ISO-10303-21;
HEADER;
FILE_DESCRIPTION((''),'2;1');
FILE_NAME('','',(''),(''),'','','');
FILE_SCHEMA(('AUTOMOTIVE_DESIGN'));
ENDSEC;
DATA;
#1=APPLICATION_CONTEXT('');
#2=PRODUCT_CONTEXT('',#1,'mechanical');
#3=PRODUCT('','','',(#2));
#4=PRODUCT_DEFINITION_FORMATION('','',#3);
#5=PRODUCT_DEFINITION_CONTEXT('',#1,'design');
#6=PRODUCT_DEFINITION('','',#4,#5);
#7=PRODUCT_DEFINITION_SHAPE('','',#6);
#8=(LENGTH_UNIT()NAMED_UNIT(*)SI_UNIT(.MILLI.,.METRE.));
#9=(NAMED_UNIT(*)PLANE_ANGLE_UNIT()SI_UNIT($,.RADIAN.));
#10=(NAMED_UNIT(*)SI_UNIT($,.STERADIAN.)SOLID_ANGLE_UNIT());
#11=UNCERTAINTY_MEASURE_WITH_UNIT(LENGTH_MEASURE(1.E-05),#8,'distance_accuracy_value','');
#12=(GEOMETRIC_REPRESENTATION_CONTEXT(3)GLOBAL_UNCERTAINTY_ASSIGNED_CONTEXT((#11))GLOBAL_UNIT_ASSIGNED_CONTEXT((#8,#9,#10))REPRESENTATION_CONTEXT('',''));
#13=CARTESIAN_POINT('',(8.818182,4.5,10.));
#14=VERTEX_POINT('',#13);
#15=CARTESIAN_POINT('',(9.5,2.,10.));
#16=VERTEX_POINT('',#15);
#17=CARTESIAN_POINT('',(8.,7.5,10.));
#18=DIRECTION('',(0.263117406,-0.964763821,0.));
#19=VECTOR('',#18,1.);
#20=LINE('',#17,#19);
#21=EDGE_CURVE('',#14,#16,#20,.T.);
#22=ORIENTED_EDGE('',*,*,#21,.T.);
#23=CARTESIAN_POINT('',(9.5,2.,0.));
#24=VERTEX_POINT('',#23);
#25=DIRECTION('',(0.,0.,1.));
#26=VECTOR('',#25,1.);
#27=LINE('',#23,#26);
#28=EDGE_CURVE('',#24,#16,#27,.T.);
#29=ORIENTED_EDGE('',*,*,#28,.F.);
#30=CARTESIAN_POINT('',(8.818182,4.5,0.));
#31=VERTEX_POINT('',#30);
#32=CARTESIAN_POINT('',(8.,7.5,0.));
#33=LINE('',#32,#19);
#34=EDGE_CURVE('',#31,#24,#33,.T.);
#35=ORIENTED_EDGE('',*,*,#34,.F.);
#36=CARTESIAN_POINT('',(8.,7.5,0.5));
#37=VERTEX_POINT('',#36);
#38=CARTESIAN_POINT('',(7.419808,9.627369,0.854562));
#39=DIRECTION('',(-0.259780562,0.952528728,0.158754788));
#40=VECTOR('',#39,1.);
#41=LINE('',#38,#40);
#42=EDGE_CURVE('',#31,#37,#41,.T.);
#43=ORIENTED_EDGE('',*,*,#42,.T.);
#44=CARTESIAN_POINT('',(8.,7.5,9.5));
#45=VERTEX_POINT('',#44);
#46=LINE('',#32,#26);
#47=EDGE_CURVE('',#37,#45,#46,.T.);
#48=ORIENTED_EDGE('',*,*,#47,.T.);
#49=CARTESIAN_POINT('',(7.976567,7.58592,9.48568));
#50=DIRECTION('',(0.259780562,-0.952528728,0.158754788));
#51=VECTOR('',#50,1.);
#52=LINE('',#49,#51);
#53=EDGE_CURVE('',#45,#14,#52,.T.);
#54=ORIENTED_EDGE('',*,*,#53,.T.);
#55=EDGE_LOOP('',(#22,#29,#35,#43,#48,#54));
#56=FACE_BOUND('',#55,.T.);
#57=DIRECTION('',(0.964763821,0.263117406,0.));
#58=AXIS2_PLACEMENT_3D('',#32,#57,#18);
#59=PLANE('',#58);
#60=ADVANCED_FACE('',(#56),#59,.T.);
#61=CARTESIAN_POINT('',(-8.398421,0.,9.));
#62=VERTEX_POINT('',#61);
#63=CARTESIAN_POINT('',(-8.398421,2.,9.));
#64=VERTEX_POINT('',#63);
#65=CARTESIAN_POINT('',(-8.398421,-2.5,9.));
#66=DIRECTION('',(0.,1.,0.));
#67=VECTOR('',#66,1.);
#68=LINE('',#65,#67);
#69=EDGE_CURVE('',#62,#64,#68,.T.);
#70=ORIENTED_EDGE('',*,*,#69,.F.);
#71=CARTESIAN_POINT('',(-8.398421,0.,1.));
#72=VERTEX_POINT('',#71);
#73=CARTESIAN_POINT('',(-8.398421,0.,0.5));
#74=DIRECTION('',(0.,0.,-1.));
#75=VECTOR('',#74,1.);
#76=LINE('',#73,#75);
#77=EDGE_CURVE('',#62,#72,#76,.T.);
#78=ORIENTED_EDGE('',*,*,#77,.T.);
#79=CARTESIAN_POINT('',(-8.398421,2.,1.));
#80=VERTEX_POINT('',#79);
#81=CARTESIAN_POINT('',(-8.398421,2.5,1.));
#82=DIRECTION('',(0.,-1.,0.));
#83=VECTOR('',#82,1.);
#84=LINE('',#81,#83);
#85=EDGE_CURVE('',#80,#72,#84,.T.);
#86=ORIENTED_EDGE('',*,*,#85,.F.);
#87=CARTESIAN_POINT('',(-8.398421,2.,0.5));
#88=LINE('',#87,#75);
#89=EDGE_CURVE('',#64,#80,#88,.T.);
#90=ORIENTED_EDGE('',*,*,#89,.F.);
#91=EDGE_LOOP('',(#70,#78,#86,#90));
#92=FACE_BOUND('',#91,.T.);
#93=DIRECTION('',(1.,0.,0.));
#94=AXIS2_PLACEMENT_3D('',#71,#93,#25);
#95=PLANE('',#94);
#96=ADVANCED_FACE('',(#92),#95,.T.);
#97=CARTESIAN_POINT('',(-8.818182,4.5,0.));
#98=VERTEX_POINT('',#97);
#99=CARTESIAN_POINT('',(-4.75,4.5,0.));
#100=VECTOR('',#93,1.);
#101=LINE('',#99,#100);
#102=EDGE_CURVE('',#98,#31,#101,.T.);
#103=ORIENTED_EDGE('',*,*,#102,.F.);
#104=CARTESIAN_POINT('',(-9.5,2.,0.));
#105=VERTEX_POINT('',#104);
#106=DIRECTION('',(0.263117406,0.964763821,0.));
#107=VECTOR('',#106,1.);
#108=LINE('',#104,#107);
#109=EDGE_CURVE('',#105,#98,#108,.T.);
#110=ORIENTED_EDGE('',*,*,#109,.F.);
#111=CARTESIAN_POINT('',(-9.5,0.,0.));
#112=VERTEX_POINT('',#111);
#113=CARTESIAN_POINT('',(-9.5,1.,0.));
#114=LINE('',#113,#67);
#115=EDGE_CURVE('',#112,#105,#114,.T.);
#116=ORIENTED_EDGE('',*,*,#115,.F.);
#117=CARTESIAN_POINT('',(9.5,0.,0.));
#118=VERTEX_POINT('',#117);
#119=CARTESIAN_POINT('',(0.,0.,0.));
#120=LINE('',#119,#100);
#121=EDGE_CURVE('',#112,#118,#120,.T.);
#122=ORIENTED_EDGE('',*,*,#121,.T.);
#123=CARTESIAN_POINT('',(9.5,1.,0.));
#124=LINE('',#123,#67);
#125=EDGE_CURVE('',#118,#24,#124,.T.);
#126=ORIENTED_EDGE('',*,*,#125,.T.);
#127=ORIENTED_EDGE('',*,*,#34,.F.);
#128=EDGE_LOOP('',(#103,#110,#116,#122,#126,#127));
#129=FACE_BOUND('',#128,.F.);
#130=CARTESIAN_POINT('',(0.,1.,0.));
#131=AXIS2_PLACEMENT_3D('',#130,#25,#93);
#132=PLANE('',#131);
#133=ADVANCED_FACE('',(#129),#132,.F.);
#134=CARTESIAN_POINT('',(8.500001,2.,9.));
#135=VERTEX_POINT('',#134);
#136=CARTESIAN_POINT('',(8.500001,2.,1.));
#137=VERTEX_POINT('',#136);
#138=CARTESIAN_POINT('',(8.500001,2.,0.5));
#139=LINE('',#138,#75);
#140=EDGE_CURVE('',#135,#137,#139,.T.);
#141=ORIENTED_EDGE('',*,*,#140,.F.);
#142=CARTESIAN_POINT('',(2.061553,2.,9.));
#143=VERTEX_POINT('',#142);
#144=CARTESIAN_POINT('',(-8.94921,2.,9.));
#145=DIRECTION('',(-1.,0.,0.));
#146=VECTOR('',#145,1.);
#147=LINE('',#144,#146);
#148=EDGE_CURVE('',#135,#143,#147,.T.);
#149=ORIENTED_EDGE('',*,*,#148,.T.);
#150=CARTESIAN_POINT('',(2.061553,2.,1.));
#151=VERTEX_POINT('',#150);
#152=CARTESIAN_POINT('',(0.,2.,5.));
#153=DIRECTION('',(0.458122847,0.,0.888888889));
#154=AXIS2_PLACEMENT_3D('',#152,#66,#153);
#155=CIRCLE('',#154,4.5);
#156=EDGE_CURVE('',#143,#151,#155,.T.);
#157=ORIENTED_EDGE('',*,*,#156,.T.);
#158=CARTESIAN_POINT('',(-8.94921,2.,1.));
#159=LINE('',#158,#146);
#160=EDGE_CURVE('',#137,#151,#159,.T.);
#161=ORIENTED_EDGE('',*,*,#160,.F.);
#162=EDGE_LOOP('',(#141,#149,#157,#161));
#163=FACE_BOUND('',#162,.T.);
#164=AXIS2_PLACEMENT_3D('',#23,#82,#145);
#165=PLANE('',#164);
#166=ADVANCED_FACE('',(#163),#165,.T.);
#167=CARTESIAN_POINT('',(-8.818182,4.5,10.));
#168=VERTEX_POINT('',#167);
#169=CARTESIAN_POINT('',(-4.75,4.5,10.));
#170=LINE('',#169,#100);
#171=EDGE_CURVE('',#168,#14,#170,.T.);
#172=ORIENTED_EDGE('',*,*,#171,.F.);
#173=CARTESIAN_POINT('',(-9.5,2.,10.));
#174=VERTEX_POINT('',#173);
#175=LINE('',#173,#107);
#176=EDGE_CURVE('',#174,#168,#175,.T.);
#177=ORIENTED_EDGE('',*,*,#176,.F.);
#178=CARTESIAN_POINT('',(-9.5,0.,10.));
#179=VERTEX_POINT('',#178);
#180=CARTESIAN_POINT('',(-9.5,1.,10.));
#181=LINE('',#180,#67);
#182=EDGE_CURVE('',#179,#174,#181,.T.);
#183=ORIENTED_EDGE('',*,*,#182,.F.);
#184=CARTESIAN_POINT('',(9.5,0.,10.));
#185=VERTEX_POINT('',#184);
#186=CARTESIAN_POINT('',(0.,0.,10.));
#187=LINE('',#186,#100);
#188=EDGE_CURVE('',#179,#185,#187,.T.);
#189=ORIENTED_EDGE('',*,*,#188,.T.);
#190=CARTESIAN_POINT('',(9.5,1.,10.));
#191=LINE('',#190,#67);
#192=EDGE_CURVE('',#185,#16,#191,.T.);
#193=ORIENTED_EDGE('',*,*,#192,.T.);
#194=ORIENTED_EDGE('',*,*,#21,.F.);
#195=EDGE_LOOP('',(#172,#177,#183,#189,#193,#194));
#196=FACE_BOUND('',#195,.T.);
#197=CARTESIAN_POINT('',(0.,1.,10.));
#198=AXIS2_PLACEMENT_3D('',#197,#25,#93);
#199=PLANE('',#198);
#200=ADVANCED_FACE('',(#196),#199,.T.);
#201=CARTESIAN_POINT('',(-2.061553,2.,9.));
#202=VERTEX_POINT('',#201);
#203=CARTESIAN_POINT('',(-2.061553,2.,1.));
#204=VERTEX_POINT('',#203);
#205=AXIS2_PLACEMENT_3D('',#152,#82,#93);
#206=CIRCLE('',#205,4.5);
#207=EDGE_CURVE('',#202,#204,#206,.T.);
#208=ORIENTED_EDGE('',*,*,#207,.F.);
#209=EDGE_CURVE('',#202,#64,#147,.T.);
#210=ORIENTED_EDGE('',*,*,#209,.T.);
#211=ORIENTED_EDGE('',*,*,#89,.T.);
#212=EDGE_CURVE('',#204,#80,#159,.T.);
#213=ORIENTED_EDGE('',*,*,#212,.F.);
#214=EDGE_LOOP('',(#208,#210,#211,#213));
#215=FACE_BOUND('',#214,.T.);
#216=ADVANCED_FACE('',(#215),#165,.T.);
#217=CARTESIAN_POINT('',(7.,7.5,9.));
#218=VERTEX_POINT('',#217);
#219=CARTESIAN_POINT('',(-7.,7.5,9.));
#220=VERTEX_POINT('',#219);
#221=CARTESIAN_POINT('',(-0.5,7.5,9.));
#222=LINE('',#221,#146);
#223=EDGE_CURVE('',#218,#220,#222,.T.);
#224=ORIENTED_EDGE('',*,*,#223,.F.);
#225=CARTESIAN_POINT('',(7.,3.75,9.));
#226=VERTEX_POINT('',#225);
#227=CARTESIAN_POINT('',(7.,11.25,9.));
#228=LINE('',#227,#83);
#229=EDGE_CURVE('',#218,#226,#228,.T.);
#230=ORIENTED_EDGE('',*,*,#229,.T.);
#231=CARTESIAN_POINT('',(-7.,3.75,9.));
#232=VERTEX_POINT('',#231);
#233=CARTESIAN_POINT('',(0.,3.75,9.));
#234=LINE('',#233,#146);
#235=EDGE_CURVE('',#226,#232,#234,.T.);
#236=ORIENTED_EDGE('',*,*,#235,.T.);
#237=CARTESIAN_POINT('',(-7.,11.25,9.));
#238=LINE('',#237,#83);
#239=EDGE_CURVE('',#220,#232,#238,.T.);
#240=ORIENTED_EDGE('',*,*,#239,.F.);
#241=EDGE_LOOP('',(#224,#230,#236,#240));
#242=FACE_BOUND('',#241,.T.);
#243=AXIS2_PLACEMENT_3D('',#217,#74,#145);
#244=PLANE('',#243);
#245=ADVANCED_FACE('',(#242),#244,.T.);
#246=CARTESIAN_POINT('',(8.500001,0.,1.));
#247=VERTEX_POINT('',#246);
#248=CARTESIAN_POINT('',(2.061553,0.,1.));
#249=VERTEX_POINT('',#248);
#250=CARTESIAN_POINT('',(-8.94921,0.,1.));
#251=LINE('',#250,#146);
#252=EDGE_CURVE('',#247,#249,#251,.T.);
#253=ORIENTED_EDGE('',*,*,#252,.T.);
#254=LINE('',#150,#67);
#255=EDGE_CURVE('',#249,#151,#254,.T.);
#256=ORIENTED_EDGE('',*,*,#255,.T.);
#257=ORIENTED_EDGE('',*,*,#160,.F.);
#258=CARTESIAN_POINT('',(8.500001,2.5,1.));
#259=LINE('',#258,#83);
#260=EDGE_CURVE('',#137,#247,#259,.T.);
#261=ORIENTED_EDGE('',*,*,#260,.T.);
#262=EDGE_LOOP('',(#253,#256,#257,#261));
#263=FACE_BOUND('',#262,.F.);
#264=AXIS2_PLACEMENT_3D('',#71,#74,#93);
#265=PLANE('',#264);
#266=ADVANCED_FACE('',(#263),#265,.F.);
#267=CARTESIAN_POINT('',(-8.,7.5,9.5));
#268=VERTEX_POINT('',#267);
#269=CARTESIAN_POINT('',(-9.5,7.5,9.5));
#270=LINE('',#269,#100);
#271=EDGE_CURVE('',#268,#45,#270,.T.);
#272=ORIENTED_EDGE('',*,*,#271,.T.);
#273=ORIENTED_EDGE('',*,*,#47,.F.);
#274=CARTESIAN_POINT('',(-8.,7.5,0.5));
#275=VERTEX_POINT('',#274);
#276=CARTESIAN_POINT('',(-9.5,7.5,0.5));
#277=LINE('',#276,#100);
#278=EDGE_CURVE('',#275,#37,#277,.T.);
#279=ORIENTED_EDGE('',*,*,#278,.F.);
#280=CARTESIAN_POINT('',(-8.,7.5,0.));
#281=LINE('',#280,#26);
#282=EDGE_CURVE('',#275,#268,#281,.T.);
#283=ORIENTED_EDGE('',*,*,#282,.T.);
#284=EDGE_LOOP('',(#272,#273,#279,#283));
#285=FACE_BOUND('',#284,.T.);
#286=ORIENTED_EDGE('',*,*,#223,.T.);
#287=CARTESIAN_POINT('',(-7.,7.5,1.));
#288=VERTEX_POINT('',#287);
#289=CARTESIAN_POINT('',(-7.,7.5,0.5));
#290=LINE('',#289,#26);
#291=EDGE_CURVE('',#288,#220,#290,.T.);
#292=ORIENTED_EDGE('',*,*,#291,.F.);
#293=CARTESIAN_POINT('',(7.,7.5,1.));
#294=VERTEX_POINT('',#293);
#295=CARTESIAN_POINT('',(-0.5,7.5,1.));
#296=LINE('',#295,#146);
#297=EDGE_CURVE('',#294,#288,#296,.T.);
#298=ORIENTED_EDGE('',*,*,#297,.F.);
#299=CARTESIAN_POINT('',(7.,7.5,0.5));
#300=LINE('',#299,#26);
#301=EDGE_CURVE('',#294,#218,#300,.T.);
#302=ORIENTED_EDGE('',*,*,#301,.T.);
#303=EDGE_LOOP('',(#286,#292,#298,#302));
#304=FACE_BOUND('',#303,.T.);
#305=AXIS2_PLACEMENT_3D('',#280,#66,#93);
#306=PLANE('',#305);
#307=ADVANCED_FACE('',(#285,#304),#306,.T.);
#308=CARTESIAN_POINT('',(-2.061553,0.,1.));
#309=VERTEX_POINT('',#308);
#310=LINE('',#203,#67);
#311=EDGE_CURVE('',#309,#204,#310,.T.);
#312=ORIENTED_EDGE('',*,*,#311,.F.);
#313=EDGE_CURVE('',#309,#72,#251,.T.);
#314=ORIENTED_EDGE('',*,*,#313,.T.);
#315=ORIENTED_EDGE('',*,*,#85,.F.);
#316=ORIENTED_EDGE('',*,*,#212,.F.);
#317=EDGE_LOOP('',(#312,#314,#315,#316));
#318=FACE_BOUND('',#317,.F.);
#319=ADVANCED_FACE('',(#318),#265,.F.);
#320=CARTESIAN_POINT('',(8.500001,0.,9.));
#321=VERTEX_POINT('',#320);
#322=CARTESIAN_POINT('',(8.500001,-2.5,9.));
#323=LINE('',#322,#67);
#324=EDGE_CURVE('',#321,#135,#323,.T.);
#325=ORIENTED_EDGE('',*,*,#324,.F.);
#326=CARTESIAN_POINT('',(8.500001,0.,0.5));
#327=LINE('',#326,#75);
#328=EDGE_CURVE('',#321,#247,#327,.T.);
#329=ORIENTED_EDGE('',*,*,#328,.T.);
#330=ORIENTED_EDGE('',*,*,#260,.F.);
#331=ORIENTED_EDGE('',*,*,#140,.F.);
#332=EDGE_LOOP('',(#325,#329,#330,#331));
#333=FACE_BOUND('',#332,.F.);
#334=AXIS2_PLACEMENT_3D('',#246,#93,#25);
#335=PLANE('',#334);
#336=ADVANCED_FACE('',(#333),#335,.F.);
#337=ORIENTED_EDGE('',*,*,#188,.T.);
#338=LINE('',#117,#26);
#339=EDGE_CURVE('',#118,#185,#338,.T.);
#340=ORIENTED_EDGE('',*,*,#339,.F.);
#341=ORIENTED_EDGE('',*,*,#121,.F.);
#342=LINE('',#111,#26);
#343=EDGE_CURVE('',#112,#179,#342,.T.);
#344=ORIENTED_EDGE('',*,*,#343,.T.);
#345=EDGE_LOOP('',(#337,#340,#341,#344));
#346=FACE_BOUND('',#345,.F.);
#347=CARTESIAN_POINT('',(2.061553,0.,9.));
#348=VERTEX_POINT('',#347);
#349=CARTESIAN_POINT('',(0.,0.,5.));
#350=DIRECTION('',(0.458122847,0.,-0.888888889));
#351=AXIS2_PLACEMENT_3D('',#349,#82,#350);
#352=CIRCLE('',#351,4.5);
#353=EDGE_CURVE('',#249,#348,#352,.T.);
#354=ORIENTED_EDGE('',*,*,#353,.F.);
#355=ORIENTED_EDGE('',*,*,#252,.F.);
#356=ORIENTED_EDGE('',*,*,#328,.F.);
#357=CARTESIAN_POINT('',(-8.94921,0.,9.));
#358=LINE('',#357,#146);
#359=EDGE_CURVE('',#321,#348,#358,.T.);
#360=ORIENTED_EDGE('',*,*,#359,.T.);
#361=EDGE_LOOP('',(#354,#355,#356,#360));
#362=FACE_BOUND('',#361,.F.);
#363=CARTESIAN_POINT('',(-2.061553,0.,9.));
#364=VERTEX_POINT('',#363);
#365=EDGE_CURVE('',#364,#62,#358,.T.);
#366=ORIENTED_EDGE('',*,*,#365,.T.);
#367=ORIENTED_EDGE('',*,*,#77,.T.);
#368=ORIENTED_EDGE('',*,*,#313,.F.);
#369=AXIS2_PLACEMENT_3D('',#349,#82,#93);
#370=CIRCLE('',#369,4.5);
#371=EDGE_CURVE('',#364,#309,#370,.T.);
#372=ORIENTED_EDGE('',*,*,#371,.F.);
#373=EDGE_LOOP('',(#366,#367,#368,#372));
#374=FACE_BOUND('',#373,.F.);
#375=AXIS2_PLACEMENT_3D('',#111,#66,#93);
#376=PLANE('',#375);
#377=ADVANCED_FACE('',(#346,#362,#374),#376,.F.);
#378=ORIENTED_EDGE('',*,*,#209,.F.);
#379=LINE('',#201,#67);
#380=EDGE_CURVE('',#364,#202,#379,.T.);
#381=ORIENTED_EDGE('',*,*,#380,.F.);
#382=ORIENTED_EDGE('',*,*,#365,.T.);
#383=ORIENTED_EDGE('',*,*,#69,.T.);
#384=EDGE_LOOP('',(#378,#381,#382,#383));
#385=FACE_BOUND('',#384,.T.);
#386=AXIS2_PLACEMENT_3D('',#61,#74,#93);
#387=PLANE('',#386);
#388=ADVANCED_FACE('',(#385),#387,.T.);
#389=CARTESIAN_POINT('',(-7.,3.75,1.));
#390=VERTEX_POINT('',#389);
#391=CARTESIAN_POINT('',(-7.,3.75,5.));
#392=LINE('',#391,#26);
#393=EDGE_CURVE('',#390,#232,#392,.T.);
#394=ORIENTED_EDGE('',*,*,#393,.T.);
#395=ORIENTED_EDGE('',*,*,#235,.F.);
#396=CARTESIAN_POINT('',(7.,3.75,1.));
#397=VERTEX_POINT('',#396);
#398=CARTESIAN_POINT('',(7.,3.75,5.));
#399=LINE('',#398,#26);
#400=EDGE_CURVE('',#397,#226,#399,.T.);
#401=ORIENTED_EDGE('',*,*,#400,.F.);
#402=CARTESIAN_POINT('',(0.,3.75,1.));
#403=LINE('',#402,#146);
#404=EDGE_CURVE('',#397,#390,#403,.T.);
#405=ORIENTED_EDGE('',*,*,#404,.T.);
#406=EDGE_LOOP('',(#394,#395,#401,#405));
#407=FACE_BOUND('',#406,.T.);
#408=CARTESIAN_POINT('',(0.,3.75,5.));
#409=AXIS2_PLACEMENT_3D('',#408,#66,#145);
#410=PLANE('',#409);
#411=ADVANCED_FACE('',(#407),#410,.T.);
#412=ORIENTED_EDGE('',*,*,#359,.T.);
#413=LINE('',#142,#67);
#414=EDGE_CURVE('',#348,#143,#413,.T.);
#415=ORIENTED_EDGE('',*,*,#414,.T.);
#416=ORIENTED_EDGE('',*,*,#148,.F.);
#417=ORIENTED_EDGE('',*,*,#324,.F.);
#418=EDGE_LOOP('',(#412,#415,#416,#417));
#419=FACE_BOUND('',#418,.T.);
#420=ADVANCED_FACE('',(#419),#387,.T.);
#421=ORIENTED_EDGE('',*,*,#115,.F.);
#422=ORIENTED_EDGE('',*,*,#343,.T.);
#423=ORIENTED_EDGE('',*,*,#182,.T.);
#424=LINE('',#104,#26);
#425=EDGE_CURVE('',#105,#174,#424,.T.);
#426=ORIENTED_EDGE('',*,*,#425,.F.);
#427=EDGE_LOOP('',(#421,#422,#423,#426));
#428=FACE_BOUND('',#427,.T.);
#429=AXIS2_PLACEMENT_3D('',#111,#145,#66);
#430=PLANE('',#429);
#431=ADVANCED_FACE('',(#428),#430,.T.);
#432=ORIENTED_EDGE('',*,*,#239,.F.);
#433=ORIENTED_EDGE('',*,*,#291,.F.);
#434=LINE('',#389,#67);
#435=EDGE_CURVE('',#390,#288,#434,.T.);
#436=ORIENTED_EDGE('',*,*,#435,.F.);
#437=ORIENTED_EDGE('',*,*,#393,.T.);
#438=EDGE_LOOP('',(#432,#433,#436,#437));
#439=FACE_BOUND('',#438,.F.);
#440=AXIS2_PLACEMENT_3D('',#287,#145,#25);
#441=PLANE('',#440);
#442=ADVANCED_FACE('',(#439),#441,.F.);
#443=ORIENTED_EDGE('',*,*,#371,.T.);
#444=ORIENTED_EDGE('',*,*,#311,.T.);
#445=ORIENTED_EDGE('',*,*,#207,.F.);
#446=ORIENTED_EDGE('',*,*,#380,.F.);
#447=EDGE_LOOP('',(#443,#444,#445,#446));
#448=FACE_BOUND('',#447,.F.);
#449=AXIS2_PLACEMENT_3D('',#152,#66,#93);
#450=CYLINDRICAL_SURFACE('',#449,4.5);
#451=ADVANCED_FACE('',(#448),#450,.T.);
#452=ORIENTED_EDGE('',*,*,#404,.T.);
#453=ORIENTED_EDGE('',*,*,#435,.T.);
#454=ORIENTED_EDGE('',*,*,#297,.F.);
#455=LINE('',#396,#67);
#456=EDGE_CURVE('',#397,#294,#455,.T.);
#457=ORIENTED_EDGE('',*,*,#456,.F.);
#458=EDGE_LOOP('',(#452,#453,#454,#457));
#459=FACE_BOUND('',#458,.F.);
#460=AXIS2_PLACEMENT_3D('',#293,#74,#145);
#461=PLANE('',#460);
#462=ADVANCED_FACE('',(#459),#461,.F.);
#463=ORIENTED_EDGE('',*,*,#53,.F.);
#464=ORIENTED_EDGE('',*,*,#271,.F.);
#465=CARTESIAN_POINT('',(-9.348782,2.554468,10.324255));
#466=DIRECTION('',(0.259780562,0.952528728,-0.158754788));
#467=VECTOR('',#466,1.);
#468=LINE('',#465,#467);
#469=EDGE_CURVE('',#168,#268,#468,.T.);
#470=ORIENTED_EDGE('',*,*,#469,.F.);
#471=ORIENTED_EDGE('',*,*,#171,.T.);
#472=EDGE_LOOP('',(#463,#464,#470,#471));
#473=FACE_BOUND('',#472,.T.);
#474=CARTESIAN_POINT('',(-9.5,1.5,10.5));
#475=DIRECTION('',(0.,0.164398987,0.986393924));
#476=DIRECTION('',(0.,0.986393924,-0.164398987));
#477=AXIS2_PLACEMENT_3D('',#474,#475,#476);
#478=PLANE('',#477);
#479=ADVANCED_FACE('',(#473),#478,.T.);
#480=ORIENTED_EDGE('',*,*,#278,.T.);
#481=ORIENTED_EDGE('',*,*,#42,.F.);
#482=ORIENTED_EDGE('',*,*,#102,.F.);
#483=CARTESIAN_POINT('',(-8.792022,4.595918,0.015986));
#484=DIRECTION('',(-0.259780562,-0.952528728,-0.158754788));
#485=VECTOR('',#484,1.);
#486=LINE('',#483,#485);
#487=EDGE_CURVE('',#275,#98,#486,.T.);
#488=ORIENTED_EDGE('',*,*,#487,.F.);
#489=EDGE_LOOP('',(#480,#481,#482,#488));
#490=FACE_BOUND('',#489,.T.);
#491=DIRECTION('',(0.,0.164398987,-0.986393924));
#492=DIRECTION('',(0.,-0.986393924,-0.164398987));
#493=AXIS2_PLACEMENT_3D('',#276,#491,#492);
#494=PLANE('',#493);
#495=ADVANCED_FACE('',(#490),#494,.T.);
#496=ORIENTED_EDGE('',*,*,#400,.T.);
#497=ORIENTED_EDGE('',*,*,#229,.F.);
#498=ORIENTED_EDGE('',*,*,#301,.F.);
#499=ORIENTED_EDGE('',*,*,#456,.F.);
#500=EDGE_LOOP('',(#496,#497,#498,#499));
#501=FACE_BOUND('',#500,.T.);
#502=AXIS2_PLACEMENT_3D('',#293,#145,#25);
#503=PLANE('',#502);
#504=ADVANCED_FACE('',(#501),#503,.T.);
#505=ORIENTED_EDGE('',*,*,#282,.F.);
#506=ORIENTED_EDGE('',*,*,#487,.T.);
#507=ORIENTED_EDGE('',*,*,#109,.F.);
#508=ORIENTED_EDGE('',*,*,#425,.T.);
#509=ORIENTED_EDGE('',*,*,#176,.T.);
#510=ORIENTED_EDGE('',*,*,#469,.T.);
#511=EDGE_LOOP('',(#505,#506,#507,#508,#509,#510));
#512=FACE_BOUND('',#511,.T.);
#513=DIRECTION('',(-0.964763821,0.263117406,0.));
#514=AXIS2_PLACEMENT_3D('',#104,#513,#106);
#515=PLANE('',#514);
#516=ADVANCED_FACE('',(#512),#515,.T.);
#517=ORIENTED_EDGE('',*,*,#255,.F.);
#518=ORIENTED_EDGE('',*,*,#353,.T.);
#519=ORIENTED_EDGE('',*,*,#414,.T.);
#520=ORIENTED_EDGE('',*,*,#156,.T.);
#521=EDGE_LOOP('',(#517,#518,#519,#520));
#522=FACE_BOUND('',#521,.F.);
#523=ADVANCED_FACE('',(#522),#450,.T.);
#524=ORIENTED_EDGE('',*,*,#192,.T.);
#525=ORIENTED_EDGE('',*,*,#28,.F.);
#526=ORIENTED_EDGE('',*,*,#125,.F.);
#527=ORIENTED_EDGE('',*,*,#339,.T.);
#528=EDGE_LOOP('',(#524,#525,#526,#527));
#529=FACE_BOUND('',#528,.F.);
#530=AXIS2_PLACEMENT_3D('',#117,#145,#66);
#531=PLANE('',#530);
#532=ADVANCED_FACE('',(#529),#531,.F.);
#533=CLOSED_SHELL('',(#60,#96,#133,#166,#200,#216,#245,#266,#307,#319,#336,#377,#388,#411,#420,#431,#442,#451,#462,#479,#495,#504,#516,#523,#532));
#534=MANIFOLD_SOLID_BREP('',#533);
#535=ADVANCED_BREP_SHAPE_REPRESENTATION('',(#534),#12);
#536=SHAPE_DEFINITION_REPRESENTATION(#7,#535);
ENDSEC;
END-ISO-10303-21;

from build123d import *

# Parameters (mm, degrees)
SKETCH005_W      = 16.898421
SKETCH005_H      = 8
EXTRUDE004_DEPTH = 2.5
SKETCH_W         = 19
SKETCH_H         = 2
EXTRUDE_DEPTH    = 10
SKETCH012_R      = 4.5
EXTRUDE009_DEPTH = 2
EXTRUDE008_DEPTH = 19
SKETCH003_W      = 14
SKETCH003_H      = 8
EXTRUDE002_DEPTH = 3.75
EXTRUDE001_DEPTH = 10


with BuildPart() as extrude004:
    # Sketch005 (on Face2 of Extrude) → Extrude004 (new body, symmetric)
    with BuildSketch(Plane.XZ):
        with Locations((0.05079, 5)):
            Rectangle(SKETCH005_W, SKETCH005_H)
    extrude(amount=EXTRUDE004_DEPTH, both=True)


with BuildPart() as cut001:
    # Sketch → Extrude (new body)
    with BuildSketch(Plane.XY):
        with Locations((0, 1)):
            Rectangle(SKETCH_W, SKETCH_H)
    extrude(amount=EXTRUDE_DEPTH)

    # Cut001: cut Extrude004
    add(extrude004.part, mode=Mode.SUBTRACT)


with BuildPart() as extrude009:
    # Sketch012 (on Face7 of Common) → Extrude009 (new body)
    with BuildSketch(Plane.XZ.offset(-2)):
        with Locations((0, 5)):
            Circle(SKETCH012_R)
    extrude(amount=EXTRUDE009_DEPTH)


with BuildPart() as extrude008:
    # Sketch011 (on Face1 of Cut001) → Extrude008 (new body)
    with BuildSketch(Plane(origin=(-9.5, 0, 0), x_dir=(0, -1, 0), z_dir=(-1, 0, 0))):
        Polygon((-1.5, 10.5), (-7.5, 9.5), (-7.5, 0.5), (-1.5, -0.5), align=None)
    extrude(amount=-EXTRUDE008_DEPTH)


with BuildPart() as extrude002:
    # Sketch003 (on Face2 of Extrude001) → Extrude002 (new body, symmetric)
    with BuildSketch(Plane(origin=(0, 7.5, 0), x_dir=(-1, 0, 0), z_dir=(0, 1, 0))):
        with Locations((0, 5)):
            Rectangle(SKETCH003_W, SKETCH003_H)
    extrude(amount=EXTRUDE002_DEPTH, both=True)


with BuildPart() as fusion002:
    # Sketch001 → Extrude001 (new body)
    with BuildSketch(Plane.XY):
        Polygon((-9.5, 2), (-8, 7.5), (8, 7.5), (9.5, 2), align=None)
    extrude(amount=EXTRUDE001_DEPTH)

    # Cut: cut Extrude002
    add(extrude002.part, mode=Mode.SUBTRACT)

    # Common: intersect Extrude008
    add(extrude008.part, mode=Mode.INTERSECT)

    # Fusion001: union Extrude009
    add(extrude009.part)

    # Fusion002: union Cut001
    add(cut001.part)


solid = fusion002.part
